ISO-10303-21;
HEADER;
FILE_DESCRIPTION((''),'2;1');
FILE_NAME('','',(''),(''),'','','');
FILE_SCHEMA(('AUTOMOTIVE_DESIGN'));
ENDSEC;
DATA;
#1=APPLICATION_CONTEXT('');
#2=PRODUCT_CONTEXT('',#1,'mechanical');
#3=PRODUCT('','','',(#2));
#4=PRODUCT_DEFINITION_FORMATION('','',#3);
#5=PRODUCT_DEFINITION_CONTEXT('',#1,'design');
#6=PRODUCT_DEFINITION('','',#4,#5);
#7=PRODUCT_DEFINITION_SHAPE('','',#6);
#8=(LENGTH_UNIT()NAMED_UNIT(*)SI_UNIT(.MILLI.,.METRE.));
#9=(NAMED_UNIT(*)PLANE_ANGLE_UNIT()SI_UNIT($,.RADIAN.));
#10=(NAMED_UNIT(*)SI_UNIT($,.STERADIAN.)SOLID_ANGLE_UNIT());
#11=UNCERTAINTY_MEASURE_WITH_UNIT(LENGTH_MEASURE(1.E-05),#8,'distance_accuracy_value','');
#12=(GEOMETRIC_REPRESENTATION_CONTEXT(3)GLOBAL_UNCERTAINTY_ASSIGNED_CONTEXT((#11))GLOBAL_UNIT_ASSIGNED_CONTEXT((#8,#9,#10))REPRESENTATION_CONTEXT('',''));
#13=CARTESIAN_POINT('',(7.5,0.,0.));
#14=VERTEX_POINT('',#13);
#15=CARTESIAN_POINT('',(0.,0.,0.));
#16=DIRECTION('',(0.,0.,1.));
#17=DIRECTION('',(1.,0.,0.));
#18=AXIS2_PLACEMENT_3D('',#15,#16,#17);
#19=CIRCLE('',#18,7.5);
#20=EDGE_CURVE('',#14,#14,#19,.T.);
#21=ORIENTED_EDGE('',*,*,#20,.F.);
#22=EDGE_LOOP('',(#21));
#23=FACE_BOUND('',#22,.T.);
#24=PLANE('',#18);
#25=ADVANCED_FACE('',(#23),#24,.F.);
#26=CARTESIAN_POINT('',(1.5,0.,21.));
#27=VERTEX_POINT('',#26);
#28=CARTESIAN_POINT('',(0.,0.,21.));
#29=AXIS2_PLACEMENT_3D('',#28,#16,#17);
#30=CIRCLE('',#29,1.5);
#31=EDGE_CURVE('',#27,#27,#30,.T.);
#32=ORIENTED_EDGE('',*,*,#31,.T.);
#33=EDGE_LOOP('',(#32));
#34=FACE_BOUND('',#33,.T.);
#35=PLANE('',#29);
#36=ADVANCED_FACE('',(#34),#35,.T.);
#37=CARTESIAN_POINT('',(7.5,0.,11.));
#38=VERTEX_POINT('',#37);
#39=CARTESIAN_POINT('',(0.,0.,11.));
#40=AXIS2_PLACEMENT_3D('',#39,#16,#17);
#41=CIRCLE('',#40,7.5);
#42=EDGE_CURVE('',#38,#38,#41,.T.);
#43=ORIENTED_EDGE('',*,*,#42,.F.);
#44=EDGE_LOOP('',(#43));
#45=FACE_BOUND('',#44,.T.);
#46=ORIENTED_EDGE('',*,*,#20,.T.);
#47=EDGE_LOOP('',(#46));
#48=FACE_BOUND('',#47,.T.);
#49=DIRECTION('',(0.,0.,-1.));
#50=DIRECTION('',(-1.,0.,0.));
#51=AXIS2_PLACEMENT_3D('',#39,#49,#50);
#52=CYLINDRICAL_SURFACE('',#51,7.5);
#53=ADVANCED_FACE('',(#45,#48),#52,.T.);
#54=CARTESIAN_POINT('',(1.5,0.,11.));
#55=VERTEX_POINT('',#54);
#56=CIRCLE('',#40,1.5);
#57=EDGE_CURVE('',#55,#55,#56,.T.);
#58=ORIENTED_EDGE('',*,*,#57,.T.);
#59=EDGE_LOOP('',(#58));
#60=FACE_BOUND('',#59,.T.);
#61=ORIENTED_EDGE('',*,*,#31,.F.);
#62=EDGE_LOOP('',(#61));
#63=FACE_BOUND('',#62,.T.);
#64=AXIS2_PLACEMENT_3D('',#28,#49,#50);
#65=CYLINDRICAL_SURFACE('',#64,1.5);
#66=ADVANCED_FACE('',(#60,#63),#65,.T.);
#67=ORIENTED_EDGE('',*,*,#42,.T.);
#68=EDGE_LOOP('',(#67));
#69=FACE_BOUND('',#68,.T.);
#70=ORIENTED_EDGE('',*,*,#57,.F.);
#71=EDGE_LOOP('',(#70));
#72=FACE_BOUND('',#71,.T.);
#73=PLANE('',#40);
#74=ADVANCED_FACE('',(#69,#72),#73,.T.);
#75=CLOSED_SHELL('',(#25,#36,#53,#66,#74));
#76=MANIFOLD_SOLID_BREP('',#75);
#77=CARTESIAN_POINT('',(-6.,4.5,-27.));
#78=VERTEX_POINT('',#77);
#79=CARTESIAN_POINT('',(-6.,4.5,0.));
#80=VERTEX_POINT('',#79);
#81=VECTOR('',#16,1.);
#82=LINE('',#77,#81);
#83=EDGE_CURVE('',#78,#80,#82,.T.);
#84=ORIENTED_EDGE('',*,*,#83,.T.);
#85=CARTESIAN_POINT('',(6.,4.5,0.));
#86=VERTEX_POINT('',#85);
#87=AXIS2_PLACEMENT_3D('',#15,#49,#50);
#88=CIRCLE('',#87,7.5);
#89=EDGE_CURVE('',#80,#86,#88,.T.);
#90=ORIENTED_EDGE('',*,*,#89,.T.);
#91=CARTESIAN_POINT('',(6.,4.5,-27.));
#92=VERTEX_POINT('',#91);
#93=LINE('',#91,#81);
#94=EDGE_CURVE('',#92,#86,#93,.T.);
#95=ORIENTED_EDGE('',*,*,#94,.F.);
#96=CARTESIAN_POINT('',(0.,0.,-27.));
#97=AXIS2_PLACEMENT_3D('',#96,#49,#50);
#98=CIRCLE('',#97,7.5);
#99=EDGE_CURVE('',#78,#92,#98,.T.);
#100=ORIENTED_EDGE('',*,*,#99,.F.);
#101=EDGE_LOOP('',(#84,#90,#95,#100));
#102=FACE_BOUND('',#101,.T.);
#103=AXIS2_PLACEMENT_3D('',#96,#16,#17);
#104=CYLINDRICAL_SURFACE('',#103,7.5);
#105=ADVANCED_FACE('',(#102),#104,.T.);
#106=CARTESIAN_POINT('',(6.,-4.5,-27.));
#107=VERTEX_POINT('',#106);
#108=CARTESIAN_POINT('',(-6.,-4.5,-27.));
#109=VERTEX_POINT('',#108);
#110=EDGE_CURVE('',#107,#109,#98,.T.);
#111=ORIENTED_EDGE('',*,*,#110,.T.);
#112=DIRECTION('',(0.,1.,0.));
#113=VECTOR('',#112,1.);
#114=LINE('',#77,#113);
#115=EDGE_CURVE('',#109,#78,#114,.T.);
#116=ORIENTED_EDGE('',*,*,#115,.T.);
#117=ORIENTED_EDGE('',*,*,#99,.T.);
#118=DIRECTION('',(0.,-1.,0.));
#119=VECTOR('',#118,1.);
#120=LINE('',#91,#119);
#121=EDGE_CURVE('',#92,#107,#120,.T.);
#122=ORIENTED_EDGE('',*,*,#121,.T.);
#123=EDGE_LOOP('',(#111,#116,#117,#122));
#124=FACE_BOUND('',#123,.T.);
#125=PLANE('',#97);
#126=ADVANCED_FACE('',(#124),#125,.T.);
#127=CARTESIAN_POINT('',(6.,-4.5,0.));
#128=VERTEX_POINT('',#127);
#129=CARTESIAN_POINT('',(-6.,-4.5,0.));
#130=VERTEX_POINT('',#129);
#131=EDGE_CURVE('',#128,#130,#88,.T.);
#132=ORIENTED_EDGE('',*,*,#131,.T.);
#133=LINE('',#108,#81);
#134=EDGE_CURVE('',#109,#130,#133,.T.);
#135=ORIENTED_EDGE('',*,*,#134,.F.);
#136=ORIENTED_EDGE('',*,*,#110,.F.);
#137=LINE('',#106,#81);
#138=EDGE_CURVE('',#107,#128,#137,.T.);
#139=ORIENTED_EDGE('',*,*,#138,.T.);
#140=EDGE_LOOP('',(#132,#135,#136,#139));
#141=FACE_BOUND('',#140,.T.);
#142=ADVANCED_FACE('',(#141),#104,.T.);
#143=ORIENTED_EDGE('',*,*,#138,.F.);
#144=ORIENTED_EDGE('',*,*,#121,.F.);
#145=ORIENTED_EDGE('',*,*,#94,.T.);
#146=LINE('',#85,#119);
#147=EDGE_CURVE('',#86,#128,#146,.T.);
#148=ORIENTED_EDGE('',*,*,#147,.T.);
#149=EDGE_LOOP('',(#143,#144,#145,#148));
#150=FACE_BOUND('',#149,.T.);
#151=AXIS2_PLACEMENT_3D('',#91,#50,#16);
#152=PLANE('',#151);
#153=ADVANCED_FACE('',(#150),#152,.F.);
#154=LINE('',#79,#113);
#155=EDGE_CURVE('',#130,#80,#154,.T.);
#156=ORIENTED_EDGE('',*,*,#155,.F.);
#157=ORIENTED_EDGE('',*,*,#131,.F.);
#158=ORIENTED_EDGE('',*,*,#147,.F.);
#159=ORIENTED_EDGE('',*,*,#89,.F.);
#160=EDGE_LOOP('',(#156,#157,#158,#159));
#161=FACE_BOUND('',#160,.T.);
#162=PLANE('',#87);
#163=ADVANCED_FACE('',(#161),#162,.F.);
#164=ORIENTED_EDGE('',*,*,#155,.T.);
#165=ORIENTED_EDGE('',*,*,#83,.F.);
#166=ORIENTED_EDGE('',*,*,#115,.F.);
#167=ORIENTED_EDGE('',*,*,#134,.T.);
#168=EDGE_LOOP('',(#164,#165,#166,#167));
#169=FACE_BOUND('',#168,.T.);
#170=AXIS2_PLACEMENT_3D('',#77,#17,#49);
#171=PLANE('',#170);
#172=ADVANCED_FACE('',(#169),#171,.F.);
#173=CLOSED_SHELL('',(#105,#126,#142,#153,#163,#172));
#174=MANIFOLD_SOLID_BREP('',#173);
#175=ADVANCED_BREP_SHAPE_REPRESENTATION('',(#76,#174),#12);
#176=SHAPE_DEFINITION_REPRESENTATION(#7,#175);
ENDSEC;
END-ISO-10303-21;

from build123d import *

# Parameters (mm, degrees)
CROQUIS1_R              = 7.5
SALIENTE_EXTRUIR1_DEPTH = 11
CROQUIS2_R              = 1.5
SALIENTE_EXTRUIR2_DEPTH = 10
SALIENTE_EXTRUIR3_DEPTH = 27


with BuildPart() as part:
    # Croquis1 → Saliente-Extruir1 (new body)
    with BuildSketch(Plane.XY):
        Circle(CROQUIS1_R)
    extrude(amount=SALIENTE_EXTRUIR1_DEPTH)

    # Croquis2 → Saliente-Extruir2 (add)
    with BuildSketch(Plane.XY.offset(11)):
        Circle(CROQUIS2_R)
    extrude(amount=SALIENTE_EXTRUIR2_DEPTH)


with BuildPart() as body_2:
    # Croquis3 → Saliente-Extruir3 (new body)
    with BuildSketch(Plane(origin=(0, 0, 0), x_dir=(-1, 0, 0), z_dir=(0, 0, -1))):
        with BuildLine():
            Line((-6, 4.5), (-6, -4.5))
            ThreePointArc((-6, -4.5), (0, -7.5), (6, -4.5))
            Line((6, -4.5), (6, 4.5))
            ThreePointArc((6, 4.5), (0, 7.5), (-6, 4.5))
        make_face()
    extrude(amount=SALIENTE_EXTRUIR3_DEPTH)


solid = Compound([part.part, body_2.part])
